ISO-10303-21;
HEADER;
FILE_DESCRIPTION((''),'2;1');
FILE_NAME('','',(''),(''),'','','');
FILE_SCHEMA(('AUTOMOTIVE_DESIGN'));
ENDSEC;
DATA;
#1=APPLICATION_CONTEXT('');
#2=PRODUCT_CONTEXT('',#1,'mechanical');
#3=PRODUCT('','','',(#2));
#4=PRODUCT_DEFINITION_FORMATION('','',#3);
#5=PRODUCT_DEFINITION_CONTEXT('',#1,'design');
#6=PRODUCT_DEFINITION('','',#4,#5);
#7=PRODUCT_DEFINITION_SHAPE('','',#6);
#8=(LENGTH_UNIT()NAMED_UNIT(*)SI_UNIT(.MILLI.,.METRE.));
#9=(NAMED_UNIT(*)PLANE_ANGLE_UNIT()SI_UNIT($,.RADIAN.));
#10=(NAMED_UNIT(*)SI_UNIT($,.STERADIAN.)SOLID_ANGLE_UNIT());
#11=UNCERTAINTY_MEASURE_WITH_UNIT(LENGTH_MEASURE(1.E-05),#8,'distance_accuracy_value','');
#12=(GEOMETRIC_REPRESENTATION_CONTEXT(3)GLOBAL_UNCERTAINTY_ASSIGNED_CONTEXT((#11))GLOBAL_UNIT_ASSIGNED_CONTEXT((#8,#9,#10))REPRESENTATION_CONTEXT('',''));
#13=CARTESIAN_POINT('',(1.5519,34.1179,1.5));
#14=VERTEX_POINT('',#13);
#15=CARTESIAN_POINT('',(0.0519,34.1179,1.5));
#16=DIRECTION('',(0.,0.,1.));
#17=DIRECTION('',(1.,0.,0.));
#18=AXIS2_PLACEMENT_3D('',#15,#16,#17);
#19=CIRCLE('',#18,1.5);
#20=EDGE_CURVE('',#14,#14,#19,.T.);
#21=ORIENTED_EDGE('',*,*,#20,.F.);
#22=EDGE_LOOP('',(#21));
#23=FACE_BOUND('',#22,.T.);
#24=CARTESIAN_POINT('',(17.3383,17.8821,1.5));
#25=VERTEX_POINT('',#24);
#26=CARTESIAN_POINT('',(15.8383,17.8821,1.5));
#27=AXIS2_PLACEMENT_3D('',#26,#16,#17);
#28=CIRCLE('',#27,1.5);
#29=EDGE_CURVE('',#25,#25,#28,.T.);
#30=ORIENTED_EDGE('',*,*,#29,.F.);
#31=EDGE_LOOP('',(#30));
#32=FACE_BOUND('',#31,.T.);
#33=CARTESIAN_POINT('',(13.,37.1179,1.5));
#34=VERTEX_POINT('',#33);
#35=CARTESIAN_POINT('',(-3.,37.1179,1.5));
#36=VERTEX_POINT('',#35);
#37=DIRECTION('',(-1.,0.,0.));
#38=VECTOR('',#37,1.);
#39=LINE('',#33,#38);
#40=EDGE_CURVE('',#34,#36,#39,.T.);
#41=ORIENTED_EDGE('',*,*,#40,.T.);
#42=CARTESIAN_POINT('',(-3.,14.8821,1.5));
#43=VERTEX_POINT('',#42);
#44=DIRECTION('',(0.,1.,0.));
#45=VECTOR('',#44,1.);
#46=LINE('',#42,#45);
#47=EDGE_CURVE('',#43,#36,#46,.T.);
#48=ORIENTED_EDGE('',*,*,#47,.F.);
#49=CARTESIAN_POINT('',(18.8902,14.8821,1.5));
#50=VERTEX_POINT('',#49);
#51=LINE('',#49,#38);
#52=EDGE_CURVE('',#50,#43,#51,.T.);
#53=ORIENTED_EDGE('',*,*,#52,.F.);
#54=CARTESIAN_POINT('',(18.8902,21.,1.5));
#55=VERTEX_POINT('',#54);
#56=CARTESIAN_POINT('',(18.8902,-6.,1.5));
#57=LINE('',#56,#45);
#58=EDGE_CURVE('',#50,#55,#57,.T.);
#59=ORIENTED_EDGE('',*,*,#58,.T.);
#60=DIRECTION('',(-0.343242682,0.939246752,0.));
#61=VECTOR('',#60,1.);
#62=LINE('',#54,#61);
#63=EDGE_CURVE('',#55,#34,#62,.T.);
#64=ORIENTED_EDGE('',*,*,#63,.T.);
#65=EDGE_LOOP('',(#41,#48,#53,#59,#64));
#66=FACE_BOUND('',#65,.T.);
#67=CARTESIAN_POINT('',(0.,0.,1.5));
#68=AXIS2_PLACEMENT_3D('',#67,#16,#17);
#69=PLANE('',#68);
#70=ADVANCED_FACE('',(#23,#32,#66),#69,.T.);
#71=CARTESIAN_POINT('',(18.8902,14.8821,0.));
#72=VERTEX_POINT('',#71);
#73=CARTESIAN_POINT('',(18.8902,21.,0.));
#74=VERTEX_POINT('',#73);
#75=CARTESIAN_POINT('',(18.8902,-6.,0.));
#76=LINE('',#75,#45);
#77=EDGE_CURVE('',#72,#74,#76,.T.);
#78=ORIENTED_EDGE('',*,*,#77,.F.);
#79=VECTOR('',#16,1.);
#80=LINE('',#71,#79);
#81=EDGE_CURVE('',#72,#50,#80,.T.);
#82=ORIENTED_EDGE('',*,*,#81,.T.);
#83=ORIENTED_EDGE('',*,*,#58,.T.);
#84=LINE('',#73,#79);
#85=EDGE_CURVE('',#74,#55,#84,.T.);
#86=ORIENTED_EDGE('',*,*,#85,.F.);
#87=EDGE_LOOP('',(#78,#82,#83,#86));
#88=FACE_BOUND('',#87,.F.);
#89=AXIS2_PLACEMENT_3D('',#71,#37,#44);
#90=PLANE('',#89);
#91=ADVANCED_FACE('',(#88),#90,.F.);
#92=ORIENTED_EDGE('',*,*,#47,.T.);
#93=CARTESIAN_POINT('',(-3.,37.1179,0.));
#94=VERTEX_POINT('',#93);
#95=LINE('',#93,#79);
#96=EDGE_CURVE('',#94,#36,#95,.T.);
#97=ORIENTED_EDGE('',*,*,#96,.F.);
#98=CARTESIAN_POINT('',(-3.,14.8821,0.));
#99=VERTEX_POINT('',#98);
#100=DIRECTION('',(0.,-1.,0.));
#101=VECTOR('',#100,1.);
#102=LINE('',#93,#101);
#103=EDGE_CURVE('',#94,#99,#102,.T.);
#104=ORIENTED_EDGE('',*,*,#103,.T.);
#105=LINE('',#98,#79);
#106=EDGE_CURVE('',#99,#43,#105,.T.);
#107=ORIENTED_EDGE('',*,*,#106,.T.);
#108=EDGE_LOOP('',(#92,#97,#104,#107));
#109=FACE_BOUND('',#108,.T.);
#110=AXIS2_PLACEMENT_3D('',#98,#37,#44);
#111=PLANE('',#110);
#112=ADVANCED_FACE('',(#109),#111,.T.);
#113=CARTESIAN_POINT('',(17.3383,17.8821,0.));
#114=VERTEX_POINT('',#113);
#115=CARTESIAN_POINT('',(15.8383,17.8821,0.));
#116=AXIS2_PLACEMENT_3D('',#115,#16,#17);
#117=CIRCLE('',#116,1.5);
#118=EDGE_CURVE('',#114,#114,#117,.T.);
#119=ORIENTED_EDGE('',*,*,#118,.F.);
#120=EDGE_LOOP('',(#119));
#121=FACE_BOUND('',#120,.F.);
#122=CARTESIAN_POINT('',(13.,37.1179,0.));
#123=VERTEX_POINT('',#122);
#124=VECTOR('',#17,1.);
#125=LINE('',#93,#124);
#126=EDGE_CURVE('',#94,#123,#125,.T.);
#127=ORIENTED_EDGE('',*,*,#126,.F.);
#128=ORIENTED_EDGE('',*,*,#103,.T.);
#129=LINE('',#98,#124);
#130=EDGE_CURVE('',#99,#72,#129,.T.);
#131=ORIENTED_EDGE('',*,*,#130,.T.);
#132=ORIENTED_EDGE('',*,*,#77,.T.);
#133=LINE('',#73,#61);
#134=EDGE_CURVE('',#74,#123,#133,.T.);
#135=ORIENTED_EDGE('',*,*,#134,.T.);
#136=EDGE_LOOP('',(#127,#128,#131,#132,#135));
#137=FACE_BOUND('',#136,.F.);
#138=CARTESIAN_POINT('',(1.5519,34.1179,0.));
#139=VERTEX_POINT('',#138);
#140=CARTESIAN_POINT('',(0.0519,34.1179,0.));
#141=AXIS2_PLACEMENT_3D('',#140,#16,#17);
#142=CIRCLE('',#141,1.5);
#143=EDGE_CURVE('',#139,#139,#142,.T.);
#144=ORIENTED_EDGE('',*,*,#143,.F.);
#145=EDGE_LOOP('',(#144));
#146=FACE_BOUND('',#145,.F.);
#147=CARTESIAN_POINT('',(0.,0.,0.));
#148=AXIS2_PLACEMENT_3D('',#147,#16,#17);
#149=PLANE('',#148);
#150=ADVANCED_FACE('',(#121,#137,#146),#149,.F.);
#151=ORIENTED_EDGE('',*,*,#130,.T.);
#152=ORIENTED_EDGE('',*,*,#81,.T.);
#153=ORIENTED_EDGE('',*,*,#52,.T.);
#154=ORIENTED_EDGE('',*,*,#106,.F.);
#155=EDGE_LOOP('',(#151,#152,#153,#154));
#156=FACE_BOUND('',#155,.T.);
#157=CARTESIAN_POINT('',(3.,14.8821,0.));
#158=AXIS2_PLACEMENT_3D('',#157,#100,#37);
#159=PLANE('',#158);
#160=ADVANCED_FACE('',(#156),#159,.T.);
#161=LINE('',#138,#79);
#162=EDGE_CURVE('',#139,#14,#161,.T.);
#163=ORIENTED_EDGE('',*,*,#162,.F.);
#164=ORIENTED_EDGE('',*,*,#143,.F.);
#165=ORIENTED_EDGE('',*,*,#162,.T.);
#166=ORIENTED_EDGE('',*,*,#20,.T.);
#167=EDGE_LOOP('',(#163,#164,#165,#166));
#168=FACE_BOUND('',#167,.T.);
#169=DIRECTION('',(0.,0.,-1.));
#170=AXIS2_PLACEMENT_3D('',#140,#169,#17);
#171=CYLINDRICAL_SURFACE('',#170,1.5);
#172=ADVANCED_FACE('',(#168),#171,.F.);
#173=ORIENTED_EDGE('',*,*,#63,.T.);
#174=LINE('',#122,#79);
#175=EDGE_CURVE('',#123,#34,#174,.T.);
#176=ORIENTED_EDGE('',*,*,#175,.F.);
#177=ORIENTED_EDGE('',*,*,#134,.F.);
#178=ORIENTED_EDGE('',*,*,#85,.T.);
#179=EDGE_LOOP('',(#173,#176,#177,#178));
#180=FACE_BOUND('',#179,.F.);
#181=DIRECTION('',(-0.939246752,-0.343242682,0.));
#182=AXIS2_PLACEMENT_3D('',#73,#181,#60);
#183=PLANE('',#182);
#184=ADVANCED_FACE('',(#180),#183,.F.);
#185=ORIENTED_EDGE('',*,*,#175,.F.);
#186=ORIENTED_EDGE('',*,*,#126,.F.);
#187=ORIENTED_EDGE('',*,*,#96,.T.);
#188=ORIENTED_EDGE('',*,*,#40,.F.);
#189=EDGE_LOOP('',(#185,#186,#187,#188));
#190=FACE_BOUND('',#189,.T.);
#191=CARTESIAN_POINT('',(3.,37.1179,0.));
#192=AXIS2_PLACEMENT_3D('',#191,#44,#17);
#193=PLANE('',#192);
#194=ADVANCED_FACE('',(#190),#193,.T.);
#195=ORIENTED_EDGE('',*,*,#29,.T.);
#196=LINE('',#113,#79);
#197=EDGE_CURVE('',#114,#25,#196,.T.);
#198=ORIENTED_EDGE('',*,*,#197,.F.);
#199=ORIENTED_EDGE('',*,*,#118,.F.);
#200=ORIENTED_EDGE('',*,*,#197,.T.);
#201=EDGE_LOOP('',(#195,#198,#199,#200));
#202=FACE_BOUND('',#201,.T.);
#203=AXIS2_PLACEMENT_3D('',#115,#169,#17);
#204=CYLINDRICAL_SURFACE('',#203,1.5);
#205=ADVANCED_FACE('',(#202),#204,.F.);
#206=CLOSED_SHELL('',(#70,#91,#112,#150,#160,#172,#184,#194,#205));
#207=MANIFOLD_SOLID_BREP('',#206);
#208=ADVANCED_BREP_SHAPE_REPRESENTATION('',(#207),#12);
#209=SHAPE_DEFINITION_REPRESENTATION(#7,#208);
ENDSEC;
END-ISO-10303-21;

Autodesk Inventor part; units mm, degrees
ref_plane "YZ Plane" through (0, 0, 0) normal (1, 0, 0) x (0, 1, 0)
ref_plane "XZ Plane" through (0, 0, 0) normal (0, 1, 0) x (-1, 0, 0)
ref_plane "XY Plane" through (0, 0, 0) normal (0, 0, 1) x (1, 0, 0)
sketch "Sketch1" plane through (0, 0, 0) normal (0, 0, 1) x (1, 0, 0)
  line L0 (3, -6) -> (-3, -6) projected
  line L1 (3, 21) -> (3, -6) projected
  line L2 (-3, 21) -> (3, 21) projected
  line L3 (-3, -6) -> (-3, 21) projected
  circle A0 centre (15.8383, 17.8821) radius 1.5 projected
  line L4 (18.8902, -6) -> (18.8902, 21) projected
  line L5 (13, 21) -> (18.8902, 21) projected
  line L6 (13, -6) -> (13, 21) projected
  line L7 (18.8902, -6) -> (13, -6) projected
  circle A1 centre (0.0519, 34.1179) radius 1.5 projected
  line L8 (3, 46) -> (3, 31) projected
  line L9 (-3, 46) -> (3, 46) projected
  line L10 (-3, 31) -> (-3, 46) projected
  line L11 (3, 31) -> (-3, 31) projected
  line L12 (18.8902, 14.8821) -> (-3, 14.8821)
  line L13 (-3, 14.8821) -> (-3, 37.1179)
  line L14 (-3, 37.1179) -> (13, 37.1179)
  line L15 (18.8902, 21) -> (18.8902, 14.8821)
  line L16 (18.8902, 21) -> (13, 37.1179)
  point P0 (0, 0)
  dimension "d0" = 3
  dimension "d1" = 3
extrude "Extrusion1" add sketch "Sketch1" along normal blind 1.5 contours L12 L3 L2 L1 | L1 L2 L13 L11 L8 L14 L16 L5 L6 L12 | L6 L5 L4 L12 | L10 L14 L8 L11
properties part number "top_plate"
